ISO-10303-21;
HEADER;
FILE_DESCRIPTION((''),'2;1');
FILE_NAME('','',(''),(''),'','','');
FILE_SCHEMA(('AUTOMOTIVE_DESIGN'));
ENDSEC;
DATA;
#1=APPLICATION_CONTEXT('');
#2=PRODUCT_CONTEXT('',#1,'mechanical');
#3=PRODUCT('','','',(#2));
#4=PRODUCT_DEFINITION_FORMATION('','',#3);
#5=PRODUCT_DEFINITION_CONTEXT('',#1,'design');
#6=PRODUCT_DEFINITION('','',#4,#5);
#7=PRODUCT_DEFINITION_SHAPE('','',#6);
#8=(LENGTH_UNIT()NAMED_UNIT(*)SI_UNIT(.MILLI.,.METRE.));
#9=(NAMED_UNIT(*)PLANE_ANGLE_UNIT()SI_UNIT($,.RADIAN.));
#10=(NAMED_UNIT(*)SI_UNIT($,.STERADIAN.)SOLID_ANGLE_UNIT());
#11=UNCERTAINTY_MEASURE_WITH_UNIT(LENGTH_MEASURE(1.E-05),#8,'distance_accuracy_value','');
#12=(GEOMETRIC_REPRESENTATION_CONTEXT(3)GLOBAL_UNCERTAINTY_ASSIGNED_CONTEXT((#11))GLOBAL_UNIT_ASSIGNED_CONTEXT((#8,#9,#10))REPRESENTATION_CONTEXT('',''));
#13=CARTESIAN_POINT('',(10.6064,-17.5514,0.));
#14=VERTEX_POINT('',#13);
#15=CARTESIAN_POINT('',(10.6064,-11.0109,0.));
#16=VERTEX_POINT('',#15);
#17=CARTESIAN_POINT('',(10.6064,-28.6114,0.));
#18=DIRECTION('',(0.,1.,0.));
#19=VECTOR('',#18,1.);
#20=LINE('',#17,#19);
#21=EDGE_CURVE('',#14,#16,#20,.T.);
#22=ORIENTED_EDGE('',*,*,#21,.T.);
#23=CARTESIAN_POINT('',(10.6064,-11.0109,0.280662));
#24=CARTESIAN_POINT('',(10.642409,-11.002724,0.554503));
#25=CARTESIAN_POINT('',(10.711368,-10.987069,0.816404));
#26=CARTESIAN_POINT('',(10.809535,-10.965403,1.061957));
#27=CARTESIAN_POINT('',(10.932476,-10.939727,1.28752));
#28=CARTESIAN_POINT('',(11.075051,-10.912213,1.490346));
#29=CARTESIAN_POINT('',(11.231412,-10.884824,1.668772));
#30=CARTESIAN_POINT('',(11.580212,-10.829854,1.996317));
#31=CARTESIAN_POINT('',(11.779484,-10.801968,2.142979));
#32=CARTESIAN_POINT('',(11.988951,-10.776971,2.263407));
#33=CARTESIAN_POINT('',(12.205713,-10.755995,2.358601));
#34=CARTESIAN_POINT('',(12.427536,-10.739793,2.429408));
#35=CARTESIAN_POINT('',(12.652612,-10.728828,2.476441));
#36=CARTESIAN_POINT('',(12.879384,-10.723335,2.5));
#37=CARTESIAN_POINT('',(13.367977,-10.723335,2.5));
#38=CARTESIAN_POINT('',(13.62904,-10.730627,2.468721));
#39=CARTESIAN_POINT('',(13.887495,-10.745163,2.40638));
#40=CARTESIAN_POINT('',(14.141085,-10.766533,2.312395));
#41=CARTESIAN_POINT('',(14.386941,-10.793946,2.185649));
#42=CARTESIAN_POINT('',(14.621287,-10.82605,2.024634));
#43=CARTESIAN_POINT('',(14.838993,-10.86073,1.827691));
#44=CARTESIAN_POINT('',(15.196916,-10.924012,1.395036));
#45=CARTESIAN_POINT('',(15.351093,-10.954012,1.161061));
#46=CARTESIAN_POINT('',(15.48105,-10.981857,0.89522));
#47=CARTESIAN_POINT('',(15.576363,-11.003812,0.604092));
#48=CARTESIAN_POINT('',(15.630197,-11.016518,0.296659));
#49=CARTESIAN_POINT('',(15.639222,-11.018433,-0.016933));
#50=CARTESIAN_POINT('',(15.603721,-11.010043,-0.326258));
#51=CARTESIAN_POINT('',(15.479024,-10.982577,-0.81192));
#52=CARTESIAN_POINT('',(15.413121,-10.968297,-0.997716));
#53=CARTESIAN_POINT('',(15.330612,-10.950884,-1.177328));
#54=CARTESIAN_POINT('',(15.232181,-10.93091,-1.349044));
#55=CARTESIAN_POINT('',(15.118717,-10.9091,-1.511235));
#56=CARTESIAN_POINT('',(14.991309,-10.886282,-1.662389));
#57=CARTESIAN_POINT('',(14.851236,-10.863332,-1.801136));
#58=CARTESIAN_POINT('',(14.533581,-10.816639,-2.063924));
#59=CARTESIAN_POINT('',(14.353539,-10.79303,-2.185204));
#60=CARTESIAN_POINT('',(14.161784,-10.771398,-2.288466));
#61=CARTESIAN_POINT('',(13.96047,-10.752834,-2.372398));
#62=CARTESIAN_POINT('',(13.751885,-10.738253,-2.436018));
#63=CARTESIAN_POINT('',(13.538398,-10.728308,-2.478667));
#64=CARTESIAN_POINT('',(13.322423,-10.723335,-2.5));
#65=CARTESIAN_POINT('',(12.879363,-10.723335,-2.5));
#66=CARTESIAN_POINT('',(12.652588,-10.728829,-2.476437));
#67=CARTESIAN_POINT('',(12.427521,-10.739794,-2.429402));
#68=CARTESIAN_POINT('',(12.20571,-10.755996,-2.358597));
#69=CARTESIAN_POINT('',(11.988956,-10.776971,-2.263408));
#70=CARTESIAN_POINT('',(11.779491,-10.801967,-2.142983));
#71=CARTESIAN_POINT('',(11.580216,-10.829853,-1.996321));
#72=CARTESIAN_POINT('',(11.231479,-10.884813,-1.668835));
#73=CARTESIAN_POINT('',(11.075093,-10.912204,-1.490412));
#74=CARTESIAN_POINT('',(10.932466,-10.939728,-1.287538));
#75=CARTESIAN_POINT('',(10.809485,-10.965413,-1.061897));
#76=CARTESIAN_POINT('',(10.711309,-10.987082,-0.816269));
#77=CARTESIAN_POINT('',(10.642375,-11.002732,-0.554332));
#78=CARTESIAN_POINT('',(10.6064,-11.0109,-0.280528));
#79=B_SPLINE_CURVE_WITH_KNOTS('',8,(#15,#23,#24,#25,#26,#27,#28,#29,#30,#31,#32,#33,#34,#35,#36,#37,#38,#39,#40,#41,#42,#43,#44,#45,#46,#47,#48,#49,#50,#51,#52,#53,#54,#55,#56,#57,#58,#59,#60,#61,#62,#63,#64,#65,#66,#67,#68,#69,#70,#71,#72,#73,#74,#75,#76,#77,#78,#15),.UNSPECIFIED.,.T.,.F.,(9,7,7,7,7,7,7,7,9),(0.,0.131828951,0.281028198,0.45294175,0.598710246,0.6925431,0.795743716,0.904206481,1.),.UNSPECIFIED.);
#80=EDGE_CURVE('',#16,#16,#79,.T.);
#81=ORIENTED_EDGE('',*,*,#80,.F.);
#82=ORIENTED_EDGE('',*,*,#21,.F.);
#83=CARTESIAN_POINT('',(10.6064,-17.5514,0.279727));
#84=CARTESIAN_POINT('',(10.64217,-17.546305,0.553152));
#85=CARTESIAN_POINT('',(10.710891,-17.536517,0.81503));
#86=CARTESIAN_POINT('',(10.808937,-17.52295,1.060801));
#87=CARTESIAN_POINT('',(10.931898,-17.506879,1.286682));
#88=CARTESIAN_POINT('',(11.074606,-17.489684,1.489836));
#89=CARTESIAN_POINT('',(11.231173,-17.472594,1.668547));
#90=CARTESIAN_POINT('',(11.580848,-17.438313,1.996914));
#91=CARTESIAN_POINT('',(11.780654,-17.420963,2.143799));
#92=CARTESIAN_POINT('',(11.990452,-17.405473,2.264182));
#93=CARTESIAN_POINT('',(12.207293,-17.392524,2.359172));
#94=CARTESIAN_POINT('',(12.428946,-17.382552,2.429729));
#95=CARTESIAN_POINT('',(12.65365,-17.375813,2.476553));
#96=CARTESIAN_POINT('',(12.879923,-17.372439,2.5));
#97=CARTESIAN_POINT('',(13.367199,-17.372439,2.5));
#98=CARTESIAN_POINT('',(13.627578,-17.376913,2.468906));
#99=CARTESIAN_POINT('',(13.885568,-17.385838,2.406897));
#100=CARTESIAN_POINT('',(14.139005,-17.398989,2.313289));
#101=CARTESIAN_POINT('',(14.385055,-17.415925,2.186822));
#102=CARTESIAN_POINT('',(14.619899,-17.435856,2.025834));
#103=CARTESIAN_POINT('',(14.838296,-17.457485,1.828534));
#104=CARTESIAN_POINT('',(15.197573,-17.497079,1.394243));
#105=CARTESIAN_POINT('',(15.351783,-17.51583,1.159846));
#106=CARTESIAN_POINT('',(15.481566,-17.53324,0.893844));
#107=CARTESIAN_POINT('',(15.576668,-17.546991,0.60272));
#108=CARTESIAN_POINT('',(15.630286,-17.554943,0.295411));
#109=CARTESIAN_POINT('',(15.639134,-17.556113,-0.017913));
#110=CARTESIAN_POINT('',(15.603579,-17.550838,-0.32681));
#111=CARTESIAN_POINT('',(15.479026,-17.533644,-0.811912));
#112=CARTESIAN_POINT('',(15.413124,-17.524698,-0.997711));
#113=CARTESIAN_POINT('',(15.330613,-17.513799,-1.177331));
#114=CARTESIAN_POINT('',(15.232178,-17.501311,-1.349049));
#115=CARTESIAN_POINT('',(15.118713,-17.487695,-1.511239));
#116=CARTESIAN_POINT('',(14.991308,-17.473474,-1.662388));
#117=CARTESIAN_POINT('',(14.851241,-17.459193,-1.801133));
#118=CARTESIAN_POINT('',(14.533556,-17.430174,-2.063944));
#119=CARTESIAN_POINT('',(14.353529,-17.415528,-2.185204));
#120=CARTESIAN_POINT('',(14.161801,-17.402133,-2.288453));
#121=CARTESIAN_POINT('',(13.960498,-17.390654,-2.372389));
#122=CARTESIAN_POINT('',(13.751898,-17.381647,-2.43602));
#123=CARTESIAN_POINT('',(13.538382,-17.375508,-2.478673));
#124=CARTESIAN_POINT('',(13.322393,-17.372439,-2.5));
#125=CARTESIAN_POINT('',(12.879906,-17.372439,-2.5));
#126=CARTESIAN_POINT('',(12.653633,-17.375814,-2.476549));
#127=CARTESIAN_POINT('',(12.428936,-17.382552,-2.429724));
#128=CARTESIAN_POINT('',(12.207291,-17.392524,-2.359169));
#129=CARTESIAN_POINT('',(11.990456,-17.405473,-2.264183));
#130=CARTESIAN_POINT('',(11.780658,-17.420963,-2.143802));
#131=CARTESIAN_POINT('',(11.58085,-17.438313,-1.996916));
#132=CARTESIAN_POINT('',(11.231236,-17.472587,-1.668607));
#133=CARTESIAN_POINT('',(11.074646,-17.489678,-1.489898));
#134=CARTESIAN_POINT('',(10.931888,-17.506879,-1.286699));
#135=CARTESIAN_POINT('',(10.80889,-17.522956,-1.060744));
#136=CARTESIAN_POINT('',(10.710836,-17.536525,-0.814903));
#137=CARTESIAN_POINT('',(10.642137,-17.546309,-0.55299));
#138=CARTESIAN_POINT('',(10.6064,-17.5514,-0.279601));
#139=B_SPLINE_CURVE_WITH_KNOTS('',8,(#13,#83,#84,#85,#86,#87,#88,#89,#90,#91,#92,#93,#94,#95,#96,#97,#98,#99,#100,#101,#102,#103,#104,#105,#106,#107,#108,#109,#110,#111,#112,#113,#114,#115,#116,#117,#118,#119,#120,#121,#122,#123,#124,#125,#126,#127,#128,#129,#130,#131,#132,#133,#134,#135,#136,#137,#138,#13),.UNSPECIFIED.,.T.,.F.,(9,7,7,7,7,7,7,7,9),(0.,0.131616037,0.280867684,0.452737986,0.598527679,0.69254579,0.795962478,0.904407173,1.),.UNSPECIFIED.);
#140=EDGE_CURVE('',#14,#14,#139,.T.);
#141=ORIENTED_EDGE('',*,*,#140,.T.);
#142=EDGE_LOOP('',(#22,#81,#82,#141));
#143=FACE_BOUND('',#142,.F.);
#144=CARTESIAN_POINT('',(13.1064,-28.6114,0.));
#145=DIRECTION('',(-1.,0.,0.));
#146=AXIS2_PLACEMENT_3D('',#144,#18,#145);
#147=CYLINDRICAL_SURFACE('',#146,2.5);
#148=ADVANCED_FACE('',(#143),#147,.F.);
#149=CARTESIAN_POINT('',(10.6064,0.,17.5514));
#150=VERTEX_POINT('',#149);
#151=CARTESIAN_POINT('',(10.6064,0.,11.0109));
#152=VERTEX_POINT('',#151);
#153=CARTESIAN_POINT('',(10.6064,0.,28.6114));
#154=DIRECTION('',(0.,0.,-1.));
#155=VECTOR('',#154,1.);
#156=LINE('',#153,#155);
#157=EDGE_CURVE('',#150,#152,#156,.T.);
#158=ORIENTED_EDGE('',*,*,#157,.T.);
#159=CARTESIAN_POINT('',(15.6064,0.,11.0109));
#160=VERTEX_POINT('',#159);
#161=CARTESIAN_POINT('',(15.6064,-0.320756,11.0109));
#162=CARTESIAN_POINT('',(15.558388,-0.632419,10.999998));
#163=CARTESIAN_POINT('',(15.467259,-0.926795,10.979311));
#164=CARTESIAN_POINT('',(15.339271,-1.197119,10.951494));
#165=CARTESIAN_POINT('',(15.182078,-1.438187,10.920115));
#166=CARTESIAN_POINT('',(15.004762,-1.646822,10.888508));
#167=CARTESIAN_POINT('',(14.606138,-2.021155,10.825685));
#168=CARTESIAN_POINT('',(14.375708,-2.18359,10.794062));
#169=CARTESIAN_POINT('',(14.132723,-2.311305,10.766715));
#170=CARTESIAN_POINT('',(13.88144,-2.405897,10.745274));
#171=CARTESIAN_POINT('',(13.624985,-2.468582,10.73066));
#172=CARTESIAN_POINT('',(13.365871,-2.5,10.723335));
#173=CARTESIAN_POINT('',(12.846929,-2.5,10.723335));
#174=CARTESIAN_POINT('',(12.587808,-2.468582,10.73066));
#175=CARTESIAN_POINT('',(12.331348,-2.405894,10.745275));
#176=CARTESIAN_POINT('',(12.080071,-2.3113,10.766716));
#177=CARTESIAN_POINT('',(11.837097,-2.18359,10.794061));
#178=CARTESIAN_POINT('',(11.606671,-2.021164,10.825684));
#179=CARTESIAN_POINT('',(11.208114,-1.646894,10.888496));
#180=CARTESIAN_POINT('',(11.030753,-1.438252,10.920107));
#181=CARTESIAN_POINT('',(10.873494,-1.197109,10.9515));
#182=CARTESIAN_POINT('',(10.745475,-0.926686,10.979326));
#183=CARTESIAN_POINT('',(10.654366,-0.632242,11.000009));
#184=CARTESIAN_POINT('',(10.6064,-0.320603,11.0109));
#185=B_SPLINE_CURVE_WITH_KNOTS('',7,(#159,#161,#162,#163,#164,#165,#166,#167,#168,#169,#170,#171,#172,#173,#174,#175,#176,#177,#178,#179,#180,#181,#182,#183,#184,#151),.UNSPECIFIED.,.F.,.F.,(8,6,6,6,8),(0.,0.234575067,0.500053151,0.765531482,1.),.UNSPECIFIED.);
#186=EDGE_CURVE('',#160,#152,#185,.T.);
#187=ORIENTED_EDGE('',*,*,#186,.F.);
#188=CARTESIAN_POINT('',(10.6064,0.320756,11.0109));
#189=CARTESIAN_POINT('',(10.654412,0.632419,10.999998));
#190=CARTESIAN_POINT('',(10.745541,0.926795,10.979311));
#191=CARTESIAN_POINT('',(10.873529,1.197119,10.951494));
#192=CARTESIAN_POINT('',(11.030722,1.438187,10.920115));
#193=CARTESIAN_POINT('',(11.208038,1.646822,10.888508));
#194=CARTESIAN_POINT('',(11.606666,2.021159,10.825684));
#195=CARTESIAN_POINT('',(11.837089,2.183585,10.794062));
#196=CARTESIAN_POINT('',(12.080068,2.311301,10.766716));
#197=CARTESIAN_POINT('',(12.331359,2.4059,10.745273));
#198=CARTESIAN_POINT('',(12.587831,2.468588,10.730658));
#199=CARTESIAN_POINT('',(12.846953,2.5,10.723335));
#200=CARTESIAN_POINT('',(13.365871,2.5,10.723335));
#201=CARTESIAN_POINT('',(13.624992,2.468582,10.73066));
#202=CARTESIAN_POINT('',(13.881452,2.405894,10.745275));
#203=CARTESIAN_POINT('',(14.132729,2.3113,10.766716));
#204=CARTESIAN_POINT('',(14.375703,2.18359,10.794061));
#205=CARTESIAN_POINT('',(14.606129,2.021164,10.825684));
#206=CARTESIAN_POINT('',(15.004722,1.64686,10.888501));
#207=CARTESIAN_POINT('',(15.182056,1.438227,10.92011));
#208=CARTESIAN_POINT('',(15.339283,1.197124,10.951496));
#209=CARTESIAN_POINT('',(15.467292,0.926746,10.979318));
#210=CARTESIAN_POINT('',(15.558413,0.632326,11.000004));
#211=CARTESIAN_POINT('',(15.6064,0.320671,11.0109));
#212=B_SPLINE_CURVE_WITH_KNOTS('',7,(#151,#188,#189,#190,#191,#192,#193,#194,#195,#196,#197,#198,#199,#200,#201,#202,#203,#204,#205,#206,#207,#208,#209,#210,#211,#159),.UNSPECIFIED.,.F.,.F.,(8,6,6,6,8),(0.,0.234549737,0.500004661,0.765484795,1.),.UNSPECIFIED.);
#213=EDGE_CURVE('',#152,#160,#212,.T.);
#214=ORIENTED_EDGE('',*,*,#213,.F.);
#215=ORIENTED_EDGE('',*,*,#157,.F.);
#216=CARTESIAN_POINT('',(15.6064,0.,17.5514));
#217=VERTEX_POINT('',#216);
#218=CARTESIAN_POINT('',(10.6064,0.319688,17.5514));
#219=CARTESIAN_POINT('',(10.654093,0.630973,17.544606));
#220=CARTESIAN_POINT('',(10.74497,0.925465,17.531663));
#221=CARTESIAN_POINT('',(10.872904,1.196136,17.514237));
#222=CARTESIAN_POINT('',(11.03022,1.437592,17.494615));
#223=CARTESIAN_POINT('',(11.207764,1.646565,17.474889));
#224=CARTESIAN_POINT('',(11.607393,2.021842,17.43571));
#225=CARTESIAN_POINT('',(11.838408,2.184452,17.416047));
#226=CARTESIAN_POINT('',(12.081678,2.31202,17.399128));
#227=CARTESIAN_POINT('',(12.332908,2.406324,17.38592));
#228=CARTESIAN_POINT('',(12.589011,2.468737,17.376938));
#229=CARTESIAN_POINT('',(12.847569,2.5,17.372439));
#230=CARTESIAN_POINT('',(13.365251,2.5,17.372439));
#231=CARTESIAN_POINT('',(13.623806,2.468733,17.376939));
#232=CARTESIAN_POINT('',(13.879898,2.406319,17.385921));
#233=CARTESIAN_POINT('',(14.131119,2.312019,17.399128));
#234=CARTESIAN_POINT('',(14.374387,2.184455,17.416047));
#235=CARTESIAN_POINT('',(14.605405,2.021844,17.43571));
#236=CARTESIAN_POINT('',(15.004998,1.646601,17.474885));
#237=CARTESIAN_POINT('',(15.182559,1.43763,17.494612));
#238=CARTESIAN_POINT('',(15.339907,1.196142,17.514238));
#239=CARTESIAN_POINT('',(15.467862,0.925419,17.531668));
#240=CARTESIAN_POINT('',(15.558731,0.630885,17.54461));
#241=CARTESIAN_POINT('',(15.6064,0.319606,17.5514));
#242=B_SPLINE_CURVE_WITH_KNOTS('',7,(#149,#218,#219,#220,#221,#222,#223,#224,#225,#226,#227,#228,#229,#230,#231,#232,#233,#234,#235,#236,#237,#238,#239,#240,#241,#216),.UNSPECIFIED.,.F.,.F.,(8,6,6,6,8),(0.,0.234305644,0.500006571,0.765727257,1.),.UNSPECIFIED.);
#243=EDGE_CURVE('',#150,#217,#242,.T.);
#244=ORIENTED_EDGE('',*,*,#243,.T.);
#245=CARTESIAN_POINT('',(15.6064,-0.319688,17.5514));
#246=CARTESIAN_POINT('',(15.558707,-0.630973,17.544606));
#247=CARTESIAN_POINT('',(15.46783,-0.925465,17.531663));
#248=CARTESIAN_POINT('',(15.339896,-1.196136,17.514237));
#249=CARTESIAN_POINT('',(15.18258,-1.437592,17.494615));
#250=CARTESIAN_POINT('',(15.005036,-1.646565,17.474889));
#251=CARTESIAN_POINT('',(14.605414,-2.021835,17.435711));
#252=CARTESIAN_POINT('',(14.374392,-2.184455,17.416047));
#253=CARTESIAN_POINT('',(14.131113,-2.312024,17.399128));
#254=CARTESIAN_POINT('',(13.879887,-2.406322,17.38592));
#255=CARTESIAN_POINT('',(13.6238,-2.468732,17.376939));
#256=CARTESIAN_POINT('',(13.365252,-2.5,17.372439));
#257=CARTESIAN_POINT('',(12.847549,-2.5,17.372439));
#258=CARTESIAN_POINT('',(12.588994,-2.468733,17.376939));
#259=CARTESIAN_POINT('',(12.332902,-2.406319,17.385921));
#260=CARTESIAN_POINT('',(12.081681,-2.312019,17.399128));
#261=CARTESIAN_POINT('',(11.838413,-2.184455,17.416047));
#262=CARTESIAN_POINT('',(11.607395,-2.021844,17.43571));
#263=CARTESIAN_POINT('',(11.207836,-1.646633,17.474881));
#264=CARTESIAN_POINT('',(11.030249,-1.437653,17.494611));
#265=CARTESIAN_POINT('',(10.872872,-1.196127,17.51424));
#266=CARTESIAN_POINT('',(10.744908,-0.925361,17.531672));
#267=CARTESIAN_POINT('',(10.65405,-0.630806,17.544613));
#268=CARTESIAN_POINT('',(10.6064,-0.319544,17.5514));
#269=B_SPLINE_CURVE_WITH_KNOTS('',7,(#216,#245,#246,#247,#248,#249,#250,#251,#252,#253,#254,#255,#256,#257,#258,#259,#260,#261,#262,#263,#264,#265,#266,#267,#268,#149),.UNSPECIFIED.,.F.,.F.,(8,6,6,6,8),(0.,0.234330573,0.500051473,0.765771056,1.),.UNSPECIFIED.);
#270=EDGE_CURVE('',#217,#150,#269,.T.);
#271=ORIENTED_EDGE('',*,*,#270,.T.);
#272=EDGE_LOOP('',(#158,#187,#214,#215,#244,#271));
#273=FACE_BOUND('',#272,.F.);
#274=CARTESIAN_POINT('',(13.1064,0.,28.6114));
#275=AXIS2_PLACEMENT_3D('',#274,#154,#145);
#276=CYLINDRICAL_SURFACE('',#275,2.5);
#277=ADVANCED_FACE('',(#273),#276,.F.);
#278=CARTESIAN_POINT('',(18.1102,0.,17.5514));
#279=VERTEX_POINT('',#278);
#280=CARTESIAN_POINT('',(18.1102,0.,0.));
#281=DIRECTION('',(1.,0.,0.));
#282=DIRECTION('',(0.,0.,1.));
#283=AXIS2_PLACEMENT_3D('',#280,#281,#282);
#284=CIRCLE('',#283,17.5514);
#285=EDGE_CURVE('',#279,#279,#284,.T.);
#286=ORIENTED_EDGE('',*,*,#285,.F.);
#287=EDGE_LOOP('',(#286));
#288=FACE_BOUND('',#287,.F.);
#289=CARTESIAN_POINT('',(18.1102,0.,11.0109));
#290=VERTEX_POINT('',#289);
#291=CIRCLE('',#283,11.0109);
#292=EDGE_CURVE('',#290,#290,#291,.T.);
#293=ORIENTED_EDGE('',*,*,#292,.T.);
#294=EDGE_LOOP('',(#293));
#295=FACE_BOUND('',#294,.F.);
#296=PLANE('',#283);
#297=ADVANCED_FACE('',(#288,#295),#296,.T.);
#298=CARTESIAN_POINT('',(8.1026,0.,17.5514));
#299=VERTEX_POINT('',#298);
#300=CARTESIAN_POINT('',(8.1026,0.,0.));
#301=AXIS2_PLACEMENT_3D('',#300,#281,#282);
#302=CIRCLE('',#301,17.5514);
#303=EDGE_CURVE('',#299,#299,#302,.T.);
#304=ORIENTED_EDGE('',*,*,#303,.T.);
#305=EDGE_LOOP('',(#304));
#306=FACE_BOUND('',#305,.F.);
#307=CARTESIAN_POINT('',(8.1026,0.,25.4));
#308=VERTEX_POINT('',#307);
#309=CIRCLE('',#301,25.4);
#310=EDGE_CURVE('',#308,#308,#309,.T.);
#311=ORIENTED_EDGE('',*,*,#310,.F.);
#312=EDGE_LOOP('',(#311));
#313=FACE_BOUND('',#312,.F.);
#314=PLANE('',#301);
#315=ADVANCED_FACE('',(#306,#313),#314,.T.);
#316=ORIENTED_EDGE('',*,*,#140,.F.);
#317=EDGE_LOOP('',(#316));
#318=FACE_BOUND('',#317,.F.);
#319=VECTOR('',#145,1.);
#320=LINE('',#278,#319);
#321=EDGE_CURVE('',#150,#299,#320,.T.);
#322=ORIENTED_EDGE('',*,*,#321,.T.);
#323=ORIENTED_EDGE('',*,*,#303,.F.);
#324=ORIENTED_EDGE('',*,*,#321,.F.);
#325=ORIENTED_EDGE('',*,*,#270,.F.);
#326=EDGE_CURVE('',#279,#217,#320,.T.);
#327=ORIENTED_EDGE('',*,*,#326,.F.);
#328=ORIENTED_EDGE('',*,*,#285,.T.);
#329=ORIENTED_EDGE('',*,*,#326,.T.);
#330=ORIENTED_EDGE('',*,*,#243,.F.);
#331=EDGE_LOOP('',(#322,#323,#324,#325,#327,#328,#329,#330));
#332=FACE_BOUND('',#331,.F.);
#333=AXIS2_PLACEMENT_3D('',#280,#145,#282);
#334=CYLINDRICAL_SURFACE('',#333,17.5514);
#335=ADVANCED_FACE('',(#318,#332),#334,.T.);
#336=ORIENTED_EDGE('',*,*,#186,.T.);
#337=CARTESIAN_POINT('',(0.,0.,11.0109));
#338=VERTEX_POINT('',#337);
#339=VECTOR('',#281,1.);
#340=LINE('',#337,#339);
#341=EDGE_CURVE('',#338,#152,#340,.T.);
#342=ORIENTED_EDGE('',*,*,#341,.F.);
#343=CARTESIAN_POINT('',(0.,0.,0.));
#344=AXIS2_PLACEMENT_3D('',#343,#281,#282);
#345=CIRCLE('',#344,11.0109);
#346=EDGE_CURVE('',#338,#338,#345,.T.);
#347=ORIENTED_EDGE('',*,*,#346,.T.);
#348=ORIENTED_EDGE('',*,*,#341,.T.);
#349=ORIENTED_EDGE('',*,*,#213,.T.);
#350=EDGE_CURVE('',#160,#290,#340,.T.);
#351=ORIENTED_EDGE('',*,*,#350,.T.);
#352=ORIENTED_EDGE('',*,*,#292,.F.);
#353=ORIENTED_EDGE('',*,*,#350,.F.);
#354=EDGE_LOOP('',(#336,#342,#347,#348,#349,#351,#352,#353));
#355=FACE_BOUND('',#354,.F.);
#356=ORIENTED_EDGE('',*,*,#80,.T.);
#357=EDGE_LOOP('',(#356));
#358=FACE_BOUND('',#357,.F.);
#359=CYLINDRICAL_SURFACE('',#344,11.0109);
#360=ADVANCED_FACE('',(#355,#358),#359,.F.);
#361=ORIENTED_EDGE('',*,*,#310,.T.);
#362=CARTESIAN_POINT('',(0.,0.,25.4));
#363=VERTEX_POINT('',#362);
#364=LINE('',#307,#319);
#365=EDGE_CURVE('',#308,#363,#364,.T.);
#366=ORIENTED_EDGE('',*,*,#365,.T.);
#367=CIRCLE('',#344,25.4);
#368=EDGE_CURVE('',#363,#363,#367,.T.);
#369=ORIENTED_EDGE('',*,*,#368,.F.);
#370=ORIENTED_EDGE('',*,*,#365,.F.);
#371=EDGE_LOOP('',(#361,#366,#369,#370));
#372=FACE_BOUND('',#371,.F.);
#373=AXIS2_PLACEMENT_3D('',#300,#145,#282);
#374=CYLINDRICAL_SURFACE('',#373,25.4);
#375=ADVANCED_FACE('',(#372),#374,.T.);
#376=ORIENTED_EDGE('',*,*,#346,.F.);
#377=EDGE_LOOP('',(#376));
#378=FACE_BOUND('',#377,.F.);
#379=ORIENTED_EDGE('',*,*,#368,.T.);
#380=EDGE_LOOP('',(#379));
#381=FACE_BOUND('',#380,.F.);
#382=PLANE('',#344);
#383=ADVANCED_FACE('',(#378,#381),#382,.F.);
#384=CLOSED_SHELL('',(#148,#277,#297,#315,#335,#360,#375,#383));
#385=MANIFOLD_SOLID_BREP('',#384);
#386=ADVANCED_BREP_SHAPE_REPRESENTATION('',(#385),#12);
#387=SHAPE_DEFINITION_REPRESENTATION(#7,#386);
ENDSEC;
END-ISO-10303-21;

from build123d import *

# Parameters (mm, degrees)
F4_D     = 5
F4_DEPTH = 11.06
F4_TIP   = 1.5021515476
F7_D     = 5
F7_DEPTH = 11.06
F7_TIP   = 1.5021515476


with BuildPart() as f1:
    # F0 (on Front) → F1 (revolve)
    with BuildSketch(Plane.XZ):
        Polygon((0, 25.4), (0, 11.0109), (18.1102, 11.0109), (18.1102, 17.5514), (8.1026, 17.5514), (8.1026, 25.4), align=None)
    revolve(axis=Axis((12.2365328816, 0, 0), (1, 0, 0)))

    # F4
    with Locations(Plane.XZ.offset(17.5514)):
        with Locations((13.1064, 0)):
            Hole(F4_D / 2, depth=F4_DEPTH)
            with Locations((0, 0, -(F4_DEPTH + F4_TIP / 2))):  # 118° drill point
                Cone(0, F4_D / 2, F4_TIP, mode=Mode.SUBTRACT)

    # F7
    with Locations(Plane.XY.offset(17.5514)):
        with Locations((13.1064, 0)):
            Hole(F7_D / 2, depth=F7_DEPTH)
            with Locations((0, 0, -(F7_DEPTH + F7_TIP / 2))):  # 118° drill point
                Cone(0, F7_D / 2, F7_TIP, mode=Mode.SUBTRACT)


solid = f1.part
